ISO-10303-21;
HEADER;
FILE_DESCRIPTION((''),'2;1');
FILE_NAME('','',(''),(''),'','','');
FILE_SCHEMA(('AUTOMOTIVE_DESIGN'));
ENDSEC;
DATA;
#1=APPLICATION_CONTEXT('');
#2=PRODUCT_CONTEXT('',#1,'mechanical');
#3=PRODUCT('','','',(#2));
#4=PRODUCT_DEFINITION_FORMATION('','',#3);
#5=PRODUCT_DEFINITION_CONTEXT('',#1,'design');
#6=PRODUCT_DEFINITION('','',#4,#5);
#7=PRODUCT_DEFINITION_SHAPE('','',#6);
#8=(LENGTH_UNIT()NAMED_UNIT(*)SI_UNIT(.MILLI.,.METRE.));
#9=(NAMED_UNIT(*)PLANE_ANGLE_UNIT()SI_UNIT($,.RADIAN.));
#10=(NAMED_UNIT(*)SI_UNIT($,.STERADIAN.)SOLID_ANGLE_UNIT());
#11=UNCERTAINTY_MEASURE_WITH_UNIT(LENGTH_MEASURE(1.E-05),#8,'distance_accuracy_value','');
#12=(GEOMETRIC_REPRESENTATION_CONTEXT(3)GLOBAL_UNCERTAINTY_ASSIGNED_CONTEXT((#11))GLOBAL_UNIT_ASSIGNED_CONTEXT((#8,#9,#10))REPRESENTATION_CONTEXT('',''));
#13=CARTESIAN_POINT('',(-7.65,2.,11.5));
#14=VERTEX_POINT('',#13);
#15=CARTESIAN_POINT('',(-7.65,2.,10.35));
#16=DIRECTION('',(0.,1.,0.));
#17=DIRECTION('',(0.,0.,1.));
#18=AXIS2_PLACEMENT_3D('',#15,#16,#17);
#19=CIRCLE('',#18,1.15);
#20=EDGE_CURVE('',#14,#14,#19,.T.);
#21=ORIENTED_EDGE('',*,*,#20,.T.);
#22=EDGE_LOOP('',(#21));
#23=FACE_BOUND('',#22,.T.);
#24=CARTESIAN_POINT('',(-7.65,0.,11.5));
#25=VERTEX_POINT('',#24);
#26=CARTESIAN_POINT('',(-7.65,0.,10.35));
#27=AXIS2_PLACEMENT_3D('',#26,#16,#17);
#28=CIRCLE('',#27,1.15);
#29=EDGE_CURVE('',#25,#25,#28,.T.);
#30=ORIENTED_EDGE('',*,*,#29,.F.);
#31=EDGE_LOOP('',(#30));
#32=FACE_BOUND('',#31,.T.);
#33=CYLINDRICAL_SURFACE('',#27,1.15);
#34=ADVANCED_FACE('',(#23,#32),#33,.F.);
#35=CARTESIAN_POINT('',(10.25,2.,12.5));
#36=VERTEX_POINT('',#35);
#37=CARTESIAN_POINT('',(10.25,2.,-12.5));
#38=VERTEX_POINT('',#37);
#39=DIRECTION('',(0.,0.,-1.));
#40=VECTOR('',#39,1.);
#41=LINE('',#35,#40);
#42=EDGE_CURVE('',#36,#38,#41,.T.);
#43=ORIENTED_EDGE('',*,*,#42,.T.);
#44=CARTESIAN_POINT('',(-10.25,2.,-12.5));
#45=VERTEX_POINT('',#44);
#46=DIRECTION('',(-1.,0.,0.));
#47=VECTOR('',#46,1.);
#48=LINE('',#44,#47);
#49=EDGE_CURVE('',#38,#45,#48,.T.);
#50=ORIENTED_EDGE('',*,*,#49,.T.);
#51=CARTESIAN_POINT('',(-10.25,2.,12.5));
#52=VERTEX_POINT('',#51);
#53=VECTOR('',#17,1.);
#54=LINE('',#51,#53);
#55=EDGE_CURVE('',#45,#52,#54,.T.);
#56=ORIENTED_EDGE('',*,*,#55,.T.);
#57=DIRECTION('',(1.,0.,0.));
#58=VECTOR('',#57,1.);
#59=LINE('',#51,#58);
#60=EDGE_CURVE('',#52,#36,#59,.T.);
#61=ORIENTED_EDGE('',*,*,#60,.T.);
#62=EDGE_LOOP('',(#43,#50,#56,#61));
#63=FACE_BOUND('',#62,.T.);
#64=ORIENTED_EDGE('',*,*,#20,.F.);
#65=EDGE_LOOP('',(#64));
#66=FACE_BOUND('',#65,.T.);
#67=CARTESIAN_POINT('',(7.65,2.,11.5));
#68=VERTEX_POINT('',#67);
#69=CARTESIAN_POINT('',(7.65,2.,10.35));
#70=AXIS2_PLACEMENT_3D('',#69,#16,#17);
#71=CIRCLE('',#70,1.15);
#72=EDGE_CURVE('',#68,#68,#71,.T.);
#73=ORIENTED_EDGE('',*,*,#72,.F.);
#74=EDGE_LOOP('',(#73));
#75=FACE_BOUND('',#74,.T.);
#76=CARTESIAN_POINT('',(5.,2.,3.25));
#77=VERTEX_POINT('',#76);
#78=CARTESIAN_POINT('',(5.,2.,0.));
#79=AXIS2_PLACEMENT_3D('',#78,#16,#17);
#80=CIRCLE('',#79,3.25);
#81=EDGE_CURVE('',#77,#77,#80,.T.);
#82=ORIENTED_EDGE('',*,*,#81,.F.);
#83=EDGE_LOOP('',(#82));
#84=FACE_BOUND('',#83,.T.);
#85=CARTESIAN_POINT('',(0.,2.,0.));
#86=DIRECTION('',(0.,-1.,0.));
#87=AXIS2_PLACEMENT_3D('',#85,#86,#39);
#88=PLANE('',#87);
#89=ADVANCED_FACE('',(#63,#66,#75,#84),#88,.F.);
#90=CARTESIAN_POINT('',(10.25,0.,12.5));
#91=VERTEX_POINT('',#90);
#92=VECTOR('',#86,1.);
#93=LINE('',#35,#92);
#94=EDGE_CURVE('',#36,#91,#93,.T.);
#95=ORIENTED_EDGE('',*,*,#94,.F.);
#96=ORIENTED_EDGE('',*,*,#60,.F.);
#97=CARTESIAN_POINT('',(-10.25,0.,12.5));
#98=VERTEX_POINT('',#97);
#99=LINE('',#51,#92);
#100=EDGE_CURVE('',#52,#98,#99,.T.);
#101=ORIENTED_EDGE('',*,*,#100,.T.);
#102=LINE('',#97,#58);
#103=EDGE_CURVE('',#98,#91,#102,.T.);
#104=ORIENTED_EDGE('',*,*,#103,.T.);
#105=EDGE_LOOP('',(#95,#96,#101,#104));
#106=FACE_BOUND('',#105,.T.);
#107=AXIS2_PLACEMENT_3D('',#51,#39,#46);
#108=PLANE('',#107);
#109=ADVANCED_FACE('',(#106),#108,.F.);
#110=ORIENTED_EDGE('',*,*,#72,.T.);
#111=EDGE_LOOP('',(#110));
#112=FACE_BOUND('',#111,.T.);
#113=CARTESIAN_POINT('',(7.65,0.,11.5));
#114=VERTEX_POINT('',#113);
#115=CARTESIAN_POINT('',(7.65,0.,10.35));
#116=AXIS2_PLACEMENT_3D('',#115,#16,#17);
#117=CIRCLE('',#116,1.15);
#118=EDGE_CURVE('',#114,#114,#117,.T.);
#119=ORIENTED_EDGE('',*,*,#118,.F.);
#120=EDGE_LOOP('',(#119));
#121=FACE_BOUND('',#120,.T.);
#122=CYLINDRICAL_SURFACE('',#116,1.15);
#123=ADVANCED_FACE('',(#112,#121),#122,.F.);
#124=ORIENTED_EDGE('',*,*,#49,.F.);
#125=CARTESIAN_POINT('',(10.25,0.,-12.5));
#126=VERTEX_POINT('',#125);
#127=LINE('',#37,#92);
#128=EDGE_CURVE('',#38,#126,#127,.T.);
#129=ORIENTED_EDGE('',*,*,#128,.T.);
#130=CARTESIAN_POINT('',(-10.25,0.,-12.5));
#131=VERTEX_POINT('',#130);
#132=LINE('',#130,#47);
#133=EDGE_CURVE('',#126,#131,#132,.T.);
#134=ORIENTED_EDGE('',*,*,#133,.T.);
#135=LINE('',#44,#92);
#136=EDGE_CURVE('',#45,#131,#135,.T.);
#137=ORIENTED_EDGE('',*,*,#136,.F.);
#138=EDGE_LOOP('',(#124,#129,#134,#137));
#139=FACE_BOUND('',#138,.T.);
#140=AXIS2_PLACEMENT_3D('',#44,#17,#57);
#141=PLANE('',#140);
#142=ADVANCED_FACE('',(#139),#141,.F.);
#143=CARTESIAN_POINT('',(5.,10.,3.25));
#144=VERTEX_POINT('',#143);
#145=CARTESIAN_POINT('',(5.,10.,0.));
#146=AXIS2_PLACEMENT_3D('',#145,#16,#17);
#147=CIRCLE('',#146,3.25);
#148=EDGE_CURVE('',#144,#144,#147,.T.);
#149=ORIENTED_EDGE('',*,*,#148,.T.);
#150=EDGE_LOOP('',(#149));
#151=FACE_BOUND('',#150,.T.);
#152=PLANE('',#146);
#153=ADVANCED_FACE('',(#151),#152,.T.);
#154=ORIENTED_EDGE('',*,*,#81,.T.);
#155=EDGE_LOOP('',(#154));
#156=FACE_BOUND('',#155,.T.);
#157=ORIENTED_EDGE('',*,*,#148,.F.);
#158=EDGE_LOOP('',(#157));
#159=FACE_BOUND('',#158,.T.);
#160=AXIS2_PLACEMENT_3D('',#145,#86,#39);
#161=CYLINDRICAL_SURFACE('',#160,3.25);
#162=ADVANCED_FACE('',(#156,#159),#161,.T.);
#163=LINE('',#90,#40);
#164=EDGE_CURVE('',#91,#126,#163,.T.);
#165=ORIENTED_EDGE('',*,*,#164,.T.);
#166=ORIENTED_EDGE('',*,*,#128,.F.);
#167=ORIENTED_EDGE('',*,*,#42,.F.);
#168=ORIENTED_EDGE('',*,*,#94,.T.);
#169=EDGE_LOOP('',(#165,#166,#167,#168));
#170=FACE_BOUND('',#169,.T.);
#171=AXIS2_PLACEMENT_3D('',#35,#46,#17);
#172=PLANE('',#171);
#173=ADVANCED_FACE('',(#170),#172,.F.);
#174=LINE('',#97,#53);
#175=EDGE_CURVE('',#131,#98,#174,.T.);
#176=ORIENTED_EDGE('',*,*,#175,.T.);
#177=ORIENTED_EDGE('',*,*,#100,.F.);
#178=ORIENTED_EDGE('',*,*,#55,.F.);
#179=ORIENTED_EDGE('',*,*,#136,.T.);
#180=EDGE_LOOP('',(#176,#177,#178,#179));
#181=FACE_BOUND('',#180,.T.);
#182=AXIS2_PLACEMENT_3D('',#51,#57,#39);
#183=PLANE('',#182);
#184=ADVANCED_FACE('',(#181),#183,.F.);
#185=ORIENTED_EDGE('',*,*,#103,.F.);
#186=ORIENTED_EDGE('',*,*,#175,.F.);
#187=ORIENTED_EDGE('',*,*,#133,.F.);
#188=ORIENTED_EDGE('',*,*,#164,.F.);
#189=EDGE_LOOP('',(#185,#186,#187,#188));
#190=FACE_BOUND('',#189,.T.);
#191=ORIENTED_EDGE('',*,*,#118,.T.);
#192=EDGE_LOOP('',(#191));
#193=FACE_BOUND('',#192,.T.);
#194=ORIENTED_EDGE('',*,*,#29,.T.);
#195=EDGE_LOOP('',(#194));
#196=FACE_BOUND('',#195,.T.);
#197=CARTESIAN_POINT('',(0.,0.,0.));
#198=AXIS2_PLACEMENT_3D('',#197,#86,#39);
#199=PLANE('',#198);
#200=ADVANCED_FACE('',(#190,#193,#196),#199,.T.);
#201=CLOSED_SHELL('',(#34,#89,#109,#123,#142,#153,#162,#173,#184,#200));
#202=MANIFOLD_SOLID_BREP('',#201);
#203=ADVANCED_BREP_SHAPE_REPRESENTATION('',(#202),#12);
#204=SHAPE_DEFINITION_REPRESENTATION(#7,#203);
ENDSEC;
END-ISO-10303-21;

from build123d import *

# Parameters (mm, degrees)
SKETCH1_W           = 20.5
SKETCH1_H           = 25
BOSS_EXTRUDE1_DEPTH = 2
SKETCH2_R           = 1.15
CUT_EXTRUDE1_DEPTH  = 3
SKETCH3_R           = 3.25
BOSS_EXTRUDE2_DEPTH = 8


with BuildPart() as part:
    # Sketch1 → Boss-Extrude1 (new body)
    with BuildSketch(Plane(origin=(0, 0, 0), x_dir=(1, 0, 0), z_dir=(0, 1, 0))):
        Rectangle(SKETCH1_W, SKETCH1_H)
    extrude(amount=BOSS_EXTRUDE1_DEPTH)

    # Sketch2 → Cut-Extrude1 (cut, through all)
    with BuildSketch(Plane(origin=(0, 2, 0), x_dir=(1, 0, 0), z_dir=(0, 1, 0))):
        with Locations((7.65, -10.35)):
            Circle(SKETCH2_R)
        with Locations((-7.65, -10.35)):
            Circle(SKETCH2_R)
    extrude(amount=-CUT_EXTRUDE1_DEPTH, mode=Mode.SUBTRACT)

    # Sketch3 → Boss-Extrude2 (add)
    with BuildSketch(Plane(origin=(0, 2, 0), x_dir=(1, 0, 0), z_dir=(0, 1, 0))):
        with Locations((5, 0)):
            Circle(SKETCH3_R)
    extrude(amount=BOSS_EXTRUDE2_DEPTH)


solid = part.part
